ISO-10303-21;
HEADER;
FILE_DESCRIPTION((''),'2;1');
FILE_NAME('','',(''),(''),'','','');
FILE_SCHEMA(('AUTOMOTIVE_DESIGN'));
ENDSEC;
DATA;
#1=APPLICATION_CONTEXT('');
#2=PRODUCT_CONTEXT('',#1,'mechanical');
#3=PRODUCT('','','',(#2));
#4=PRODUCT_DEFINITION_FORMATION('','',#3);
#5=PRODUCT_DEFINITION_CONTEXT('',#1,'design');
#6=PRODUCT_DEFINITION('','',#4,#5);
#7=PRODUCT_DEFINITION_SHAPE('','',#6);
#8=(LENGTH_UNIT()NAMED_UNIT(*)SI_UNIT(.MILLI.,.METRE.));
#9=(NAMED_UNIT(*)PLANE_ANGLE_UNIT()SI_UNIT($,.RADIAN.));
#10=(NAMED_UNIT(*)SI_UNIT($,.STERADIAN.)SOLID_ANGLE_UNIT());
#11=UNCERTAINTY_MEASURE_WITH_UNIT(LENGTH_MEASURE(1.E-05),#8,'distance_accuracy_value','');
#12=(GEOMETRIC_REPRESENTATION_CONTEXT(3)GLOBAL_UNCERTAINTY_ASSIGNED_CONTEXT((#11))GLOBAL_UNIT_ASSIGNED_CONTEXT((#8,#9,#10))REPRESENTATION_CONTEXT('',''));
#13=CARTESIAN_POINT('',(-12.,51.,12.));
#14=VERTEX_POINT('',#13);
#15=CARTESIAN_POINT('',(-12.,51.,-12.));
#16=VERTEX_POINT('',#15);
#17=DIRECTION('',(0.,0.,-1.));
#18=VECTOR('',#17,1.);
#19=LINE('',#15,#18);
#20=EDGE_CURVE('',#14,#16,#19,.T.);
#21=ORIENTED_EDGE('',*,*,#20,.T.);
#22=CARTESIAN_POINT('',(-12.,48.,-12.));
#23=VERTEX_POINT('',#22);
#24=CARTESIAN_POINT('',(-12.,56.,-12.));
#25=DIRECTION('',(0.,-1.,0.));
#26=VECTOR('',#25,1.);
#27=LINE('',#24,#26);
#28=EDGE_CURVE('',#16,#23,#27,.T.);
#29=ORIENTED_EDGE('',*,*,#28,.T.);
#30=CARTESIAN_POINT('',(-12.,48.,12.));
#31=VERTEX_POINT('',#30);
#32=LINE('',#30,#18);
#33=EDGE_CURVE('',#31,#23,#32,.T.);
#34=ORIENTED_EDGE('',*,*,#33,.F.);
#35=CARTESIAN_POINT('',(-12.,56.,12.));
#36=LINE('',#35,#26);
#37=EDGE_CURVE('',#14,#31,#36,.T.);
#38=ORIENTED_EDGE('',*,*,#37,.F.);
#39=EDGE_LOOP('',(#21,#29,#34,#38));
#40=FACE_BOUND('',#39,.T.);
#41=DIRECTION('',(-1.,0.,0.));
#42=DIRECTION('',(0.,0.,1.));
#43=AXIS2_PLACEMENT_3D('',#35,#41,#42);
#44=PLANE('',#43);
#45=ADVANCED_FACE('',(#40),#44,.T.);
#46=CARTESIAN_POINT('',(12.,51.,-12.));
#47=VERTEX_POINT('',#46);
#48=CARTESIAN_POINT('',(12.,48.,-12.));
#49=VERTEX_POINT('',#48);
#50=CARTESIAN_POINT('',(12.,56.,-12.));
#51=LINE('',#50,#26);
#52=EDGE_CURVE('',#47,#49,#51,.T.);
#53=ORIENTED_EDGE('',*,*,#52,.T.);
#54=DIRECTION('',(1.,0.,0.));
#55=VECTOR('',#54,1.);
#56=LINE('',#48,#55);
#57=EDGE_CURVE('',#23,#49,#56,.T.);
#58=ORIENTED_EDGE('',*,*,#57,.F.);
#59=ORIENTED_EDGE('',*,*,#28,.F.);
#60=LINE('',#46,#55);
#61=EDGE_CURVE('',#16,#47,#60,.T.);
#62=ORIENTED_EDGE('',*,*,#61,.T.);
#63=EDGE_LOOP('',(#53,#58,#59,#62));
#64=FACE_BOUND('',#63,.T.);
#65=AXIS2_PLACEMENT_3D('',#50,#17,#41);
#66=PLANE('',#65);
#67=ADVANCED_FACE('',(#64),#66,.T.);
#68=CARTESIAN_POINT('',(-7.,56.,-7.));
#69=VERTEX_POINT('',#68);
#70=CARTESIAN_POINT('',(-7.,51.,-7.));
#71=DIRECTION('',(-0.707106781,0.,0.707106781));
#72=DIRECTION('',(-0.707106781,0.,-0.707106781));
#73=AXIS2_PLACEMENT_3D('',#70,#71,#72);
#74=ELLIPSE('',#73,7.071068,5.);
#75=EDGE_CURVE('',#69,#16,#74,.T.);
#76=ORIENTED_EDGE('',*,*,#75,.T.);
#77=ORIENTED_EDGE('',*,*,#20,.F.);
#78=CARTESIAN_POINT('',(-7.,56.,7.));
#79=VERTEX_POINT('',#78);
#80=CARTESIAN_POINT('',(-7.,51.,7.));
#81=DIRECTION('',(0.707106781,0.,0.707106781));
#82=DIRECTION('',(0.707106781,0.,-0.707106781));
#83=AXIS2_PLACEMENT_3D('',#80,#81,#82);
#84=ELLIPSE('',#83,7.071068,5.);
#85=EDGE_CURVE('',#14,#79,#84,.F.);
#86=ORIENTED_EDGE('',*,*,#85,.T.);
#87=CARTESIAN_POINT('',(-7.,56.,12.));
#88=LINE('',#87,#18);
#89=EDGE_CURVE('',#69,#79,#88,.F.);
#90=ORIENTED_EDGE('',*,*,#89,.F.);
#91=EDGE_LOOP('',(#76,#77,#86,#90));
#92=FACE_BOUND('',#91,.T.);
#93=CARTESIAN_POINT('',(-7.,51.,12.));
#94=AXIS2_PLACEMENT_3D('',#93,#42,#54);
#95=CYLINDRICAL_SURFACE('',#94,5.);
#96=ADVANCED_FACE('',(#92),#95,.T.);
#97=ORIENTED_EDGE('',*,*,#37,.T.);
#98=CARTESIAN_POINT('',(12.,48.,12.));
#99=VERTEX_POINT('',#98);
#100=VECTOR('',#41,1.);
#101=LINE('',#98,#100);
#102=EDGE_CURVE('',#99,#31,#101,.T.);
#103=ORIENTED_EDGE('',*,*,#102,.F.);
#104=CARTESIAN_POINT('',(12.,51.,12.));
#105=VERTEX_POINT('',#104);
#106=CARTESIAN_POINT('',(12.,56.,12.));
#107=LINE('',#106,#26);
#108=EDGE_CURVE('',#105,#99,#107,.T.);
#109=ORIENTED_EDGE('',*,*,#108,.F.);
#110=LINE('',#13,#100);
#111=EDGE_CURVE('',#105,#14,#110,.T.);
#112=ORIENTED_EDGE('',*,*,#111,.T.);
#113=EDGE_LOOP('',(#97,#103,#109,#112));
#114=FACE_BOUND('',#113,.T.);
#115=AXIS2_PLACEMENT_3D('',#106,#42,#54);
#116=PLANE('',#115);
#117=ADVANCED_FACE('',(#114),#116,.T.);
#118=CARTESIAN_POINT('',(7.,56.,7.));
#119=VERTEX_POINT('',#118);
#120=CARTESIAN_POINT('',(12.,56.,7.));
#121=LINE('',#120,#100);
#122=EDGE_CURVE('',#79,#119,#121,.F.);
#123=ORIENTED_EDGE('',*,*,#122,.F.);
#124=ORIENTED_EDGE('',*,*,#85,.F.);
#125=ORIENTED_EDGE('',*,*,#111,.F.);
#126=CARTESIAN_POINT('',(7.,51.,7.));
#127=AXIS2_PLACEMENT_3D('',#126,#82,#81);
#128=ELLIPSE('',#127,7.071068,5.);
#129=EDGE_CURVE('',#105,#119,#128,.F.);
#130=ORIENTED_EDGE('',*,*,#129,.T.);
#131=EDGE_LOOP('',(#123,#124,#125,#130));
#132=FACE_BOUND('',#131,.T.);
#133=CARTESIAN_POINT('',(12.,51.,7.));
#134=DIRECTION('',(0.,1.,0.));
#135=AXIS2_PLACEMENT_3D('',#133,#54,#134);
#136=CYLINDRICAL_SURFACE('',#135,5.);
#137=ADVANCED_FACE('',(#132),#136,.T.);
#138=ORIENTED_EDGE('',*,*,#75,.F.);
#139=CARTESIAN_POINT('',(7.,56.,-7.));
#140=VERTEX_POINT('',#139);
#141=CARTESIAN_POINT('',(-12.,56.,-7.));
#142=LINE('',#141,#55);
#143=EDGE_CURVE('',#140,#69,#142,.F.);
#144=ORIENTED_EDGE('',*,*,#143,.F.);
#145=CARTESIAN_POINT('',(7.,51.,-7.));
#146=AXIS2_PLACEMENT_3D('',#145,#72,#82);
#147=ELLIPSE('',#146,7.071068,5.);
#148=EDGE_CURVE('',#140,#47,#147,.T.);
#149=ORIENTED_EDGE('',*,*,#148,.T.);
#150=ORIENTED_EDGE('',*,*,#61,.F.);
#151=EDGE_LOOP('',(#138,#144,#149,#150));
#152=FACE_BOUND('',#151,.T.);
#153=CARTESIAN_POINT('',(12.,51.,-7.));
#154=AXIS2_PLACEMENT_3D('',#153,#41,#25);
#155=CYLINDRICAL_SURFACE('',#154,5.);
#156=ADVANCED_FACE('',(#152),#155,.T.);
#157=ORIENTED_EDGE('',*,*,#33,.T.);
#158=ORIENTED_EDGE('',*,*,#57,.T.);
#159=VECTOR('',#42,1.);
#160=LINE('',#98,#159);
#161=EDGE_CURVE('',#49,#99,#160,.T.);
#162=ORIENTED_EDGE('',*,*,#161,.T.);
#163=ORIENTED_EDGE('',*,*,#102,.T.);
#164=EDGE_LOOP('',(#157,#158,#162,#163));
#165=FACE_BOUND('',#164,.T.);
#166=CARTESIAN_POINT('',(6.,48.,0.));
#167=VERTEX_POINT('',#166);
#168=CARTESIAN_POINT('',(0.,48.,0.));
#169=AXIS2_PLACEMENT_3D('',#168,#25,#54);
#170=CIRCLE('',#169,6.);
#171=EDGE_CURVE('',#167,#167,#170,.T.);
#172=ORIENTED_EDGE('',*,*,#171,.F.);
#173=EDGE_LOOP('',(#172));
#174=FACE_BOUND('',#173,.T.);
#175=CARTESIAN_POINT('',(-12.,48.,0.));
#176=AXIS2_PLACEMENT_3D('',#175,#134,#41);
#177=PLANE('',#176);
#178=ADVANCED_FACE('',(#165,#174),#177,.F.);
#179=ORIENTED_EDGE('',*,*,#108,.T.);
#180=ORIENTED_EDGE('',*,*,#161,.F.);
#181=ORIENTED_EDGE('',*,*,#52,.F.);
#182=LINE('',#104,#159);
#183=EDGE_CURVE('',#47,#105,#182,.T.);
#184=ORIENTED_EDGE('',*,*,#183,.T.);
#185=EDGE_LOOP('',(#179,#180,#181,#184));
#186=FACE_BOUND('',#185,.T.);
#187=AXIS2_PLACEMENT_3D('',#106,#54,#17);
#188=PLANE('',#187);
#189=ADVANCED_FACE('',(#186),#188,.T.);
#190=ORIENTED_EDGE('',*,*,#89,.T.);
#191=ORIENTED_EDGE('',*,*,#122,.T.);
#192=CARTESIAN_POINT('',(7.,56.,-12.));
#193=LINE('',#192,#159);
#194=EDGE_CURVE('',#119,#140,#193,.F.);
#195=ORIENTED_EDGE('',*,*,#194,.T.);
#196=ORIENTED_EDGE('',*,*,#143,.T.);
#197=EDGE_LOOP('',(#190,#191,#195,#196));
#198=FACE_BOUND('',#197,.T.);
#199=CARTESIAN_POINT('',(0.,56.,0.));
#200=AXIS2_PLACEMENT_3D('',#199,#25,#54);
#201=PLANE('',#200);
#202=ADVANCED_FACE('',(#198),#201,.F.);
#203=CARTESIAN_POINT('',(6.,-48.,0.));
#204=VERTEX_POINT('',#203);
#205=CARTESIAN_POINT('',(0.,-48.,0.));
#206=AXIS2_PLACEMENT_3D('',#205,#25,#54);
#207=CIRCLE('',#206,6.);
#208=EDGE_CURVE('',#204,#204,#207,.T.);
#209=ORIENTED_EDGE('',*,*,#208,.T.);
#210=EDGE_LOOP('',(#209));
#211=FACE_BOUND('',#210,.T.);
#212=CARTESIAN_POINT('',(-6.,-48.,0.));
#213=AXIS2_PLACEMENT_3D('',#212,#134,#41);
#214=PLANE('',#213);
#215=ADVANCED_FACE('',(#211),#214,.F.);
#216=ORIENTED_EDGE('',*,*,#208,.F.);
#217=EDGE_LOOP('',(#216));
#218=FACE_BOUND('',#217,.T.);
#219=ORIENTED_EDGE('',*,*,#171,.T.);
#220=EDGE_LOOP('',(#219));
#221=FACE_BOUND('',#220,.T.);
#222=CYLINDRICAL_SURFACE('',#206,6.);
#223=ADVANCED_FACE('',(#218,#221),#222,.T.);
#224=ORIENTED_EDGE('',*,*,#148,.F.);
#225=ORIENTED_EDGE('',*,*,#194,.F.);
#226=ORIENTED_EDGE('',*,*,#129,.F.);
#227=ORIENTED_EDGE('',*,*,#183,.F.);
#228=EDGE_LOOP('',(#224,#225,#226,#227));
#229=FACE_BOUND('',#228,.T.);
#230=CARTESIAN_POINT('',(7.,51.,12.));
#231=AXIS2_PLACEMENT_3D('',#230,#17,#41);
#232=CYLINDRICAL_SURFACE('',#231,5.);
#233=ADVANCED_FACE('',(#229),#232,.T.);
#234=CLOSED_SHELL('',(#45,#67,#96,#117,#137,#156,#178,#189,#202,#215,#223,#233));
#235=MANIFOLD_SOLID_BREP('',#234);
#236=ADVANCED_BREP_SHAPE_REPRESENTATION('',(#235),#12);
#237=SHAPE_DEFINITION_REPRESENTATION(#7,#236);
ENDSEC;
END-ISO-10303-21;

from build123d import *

# Parameters (mm, degrees)
SKETCH3_W           = 24
SKETCH3_H           = 24
BOSS_EXTRUDE1_DEPTH = 8
FILLET1_R           = 5


with BuildPart() as part:
    # Sketch1 → Revolve1 (revolve)
    with BuildSketch(Plane.XY, mode=Mode.PRIVATE) as revolve1_sk:
        Polygon((0, 56), (-12, 56), (-12, 48), (-6, 48), (-6, -48), (0, -48), align=None)
    revolve(revolve1_sk.sketch.rotate(Axis((0, -48, 0), (0, 1, 0)), 180), axis=Axis((0, -48, 0), (0, 1, 0)))

    # Sketch3 → Boss-Extrude1 (add)
    with BuildSketch(Plane.XZ.offset(-48)):
        Rectangle(SKETCH3_W, SKETCH3_H)
    extrude(amount=-BOSS_EXTRUDE1_DEPTH)

    # Fillet1
    fillet1_edges = [part.edges().sort_by_distance(p)[0] for p in [
        (-12, 56, 0),
        (0, 56, 12),
        (12, 56, 0),
        (0, 56, -12),
    ]]
    fillet(fillet1_edges, radius=FILLET1_R)


solid = part.part
